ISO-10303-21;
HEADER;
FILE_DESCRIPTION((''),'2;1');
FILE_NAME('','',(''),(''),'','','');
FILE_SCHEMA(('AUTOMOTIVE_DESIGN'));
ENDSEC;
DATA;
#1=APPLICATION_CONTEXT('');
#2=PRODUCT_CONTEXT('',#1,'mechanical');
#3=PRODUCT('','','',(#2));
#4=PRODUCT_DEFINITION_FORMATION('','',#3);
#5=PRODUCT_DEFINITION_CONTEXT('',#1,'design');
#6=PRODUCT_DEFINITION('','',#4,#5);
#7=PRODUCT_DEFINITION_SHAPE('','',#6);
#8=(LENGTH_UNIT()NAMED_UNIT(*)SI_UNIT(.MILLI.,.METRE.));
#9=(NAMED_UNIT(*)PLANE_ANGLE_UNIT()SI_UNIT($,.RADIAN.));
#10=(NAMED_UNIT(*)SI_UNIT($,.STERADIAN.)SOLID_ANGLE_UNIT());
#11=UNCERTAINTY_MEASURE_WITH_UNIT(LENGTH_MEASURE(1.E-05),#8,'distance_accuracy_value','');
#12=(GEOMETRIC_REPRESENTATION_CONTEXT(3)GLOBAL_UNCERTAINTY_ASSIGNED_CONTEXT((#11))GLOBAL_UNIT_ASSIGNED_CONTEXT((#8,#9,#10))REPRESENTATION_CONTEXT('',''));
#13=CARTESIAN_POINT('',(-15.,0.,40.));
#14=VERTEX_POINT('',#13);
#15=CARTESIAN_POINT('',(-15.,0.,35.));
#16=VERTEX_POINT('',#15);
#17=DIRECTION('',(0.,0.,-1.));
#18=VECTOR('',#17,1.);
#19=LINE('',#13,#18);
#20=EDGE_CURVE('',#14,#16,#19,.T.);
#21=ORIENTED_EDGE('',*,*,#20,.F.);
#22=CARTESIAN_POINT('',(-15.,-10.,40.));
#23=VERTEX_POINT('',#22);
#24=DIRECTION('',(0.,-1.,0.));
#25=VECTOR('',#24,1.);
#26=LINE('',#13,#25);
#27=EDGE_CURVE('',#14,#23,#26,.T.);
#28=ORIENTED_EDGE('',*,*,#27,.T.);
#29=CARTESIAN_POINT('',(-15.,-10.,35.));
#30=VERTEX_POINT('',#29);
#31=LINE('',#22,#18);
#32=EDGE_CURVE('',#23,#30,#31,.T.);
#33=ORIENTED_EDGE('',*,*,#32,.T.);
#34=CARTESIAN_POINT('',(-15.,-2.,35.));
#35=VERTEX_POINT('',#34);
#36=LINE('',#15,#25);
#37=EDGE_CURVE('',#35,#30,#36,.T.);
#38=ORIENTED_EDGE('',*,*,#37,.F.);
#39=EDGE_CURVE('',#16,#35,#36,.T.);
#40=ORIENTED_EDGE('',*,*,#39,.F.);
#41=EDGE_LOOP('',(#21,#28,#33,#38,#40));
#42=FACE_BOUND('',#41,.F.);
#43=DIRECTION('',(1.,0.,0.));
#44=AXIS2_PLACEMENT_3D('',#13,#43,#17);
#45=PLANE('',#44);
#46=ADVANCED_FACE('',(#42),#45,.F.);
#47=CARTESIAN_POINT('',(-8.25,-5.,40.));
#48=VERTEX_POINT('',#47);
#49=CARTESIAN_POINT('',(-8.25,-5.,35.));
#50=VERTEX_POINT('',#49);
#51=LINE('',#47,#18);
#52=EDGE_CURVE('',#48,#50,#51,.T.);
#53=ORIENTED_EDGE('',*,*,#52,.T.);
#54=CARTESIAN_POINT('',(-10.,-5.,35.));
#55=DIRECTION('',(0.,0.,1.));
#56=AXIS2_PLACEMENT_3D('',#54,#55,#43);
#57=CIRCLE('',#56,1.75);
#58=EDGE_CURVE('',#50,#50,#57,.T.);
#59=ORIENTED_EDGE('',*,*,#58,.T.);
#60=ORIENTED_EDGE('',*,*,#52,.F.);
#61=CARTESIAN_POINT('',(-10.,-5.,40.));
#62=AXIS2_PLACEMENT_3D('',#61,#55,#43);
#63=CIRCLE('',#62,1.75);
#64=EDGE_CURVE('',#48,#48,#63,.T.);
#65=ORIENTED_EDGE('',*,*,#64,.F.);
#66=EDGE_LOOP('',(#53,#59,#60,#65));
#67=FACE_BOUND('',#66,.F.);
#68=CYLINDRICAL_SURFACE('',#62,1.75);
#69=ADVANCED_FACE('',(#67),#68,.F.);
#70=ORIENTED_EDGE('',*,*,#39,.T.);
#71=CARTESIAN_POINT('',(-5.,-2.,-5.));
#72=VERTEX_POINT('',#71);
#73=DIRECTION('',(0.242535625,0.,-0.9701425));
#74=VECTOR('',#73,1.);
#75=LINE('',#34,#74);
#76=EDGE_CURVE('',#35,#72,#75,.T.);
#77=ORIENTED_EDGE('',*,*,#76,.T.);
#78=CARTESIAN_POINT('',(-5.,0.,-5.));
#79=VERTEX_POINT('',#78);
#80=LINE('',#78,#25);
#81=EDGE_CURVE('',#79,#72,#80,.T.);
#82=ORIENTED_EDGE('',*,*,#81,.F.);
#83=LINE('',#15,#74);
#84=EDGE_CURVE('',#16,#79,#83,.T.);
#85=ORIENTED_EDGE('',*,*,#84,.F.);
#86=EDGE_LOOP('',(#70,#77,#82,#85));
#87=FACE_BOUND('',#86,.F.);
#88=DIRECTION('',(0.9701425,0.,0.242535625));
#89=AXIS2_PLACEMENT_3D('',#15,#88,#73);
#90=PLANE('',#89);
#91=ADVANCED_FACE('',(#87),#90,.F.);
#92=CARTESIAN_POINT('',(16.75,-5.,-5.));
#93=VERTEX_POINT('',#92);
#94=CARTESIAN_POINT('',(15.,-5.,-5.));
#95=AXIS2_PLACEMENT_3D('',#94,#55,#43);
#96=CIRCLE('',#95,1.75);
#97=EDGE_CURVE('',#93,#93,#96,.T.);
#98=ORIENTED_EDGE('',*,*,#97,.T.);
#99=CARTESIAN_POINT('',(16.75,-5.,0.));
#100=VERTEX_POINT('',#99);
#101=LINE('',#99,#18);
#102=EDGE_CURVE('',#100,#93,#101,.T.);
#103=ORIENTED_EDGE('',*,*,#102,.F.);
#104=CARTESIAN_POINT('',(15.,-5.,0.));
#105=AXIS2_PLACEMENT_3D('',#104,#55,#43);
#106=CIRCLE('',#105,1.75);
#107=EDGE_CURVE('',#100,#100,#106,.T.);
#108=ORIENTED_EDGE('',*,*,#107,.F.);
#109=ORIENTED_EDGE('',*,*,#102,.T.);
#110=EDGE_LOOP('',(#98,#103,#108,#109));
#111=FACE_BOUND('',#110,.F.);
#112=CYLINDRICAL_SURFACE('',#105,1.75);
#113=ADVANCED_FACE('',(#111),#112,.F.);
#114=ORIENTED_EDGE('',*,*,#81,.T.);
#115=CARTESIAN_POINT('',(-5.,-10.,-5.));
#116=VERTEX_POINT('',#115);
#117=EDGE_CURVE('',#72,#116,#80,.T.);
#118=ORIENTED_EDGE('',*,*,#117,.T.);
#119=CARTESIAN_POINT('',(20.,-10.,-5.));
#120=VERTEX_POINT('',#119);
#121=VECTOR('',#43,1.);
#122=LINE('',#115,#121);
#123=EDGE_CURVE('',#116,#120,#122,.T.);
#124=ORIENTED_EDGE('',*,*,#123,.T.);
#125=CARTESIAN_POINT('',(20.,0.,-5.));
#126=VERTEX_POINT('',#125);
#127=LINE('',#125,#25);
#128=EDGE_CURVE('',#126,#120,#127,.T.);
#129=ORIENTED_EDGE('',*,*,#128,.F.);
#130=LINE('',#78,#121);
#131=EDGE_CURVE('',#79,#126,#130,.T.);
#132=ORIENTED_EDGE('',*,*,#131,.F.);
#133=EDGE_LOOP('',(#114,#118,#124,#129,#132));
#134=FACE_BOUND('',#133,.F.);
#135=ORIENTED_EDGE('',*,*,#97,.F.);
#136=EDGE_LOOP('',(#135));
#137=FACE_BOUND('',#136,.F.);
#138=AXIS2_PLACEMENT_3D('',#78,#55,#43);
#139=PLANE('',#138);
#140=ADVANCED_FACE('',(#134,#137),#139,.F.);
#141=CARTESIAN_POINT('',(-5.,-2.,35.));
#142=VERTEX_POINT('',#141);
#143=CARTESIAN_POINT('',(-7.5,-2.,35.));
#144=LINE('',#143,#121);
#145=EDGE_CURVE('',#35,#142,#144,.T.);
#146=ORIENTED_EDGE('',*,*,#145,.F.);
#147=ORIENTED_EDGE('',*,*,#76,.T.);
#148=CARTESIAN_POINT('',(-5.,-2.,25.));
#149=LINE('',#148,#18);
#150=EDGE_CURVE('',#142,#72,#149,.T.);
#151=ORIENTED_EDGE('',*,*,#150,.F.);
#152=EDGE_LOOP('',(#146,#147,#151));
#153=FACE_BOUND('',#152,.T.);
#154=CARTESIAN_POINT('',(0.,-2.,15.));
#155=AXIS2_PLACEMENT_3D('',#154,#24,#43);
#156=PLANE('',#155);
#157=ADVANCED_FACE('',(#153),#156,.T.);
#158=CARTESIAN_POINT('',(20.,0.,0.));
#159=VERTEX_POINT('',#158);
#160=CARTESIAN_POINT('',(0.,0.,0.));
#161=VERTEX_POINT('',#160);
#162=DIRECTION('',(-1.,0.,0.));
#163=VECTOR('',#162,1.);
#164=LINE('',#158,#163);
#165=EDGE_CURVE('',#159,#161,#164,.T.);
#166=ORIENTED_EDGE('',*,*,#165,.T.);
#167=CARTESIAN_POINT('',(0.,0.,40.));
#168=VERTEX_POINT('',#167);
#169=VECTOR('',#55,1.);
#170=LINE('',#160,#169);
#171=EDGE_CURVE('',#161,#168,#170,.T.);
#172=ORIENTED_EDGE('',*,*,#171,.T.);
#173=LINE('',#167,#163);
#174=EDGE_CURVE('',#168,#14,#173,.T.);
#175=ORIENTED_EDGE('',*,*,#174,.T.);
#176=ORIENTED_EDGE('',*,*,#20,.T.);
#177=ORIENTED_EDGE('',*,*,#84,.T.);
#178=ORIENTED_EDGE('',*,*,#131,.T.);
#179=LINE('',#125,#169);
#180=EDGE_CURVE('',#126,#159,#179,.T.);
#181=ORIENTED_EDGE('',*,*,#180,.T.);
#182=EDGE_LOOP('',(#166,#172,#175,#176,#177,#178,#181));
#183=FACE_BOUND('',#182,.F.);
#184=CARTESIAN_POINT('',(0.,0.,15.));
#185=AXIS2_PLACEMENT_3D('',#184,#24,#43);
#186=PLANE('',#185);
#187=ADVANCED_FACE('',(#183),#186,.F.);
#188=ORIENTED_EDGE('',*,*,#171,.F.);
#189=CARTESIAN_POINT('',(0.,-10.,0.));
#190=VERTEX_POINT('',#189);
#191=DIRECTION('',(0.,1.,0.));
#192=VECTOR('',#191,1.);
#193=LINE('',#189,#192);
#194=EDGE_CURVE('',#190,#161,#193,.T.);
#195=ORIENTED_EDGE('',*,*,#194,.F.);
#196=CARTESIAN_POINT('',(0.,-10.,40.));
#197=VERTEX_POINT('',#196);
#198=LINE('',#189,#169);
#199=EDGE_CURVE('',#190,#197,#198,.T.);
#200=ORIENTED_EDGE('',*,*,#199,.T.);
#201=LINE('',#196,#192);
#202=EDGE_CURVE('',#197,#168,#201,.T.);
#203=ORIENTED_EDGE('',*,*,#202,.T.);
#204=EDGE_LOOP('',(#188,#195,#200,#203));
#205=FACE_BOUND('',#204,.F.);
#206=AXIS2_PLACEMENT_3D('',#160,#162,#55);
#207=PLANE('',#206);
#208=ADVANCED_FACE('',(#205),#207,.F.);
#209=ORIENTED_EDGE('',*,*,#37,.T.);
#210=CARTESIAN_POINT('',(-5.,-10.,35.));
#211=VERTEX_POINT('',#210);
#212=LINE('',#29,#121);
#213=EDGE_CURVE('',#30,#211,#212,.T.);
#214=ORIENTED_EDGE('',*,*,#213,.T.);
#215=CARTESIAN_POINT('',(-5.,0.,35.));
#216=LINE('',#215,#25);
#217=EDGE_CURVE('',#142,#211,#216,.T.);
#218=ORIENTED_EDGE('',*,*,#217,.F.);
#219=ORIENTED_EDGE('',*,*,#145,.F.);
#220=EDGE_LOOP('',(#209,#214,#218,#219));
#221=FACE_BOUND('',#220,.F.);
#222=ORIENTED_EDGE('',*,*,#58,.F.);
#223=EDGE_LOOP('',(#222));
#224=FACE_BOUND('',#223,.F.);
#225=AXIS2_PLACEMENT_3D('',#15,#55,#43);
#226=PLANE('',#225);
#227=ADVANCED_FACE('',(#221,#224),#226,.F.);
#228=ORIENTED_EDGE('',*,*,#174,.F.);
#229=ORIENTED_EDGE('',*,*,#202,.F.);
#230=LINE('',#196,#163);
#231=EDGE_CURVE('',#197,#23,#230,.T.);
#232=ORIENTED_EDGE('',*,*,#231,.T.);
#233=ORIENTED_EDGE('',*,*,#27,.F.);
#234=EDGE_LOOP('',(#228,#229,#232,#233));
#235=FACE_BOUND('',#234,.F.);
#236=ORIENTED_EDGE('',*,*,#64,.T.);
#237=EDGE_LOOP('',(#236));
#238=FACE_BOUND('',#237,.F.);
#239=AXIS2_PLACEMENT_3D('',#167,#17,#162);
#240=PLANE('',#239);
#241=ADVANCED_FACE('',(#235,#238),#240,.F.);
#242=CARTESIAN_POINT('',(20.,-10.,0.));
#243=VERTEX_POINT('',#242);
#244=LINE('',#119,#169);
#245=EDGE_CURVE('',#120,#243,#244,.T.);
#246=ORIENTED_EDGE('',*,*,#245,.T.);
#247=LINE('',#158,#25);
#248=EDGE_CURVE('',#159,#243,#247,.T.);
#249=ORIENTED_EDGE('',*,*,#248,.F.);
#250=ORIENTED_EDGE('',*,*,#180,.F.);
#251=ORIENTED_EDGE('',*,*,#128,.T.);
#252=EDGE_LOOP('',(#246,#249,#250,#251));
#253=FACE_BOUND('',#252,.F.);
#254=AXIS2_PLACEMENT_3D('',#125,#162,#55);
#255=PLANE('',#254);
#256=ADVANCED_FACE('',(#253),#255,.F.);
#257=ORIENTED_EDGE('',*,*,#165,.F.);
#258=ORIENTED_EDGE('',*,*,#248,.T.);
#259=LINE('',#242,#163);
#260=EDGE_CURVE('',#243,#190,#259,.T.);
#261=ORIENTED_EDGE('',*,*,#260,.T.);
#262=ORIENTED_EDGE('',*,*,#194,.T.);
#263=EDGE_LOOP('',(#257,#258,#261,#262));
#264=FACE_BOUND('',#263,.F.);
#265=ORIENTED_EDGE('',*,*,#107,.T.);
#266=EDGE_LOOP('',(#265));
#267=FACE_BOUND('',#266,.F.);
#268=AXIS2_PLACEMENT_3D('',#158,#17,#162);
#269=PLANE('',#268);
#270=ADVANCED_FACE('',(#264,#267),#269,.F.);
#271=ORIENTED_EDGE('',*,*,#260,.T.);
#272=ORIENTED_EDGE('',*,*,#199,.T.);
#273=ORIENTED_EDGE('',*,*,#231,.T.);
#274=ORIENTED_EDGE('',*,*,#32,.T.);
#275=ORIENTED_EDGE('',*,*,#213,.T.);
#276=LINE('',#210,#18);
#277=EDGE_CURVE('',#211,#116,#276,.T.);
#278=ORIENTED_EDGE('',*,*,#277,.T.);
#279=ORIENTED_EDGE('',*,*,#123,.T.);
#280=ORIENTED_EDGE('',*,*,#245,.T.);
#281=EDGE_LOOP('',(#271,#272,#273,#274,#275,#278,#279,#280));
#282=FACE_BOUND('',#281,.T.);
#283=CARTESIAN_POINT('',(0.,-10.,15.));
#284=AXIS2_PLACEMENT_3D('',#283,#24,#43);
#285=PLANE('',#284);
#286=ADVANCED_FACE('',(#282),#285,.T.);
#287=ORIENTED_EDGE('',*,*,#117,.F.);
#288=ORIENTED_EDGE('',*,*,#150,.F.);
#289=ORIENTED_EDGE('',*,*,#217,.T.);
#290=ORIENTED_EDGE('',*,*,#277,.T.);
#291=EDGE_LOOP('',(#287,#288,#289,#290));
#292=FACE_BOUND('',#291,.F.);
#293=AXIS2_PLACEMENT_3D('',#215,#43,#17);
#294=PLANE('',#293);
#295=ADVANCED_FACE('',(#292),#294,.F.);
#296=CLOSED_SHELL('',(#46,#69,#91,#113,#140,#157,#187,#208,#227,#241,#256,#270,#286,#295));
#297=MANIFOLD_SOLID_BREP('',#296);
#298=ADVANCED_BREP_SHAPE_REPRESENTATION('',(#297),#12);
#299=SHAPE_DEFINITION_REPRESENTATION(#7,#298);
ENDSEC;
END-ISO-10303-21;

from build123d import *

# Parameters (mm, degrees)
F1_DEPTH = 10
F2_DEPTH = 2
F3_R     = 1.75
F4_DEPTH = 5
F5_R     = 1.75
F6_DEPTH = 5


with BuildPart() as f1:
    # F0 (on Front) → F1 (new body)
    with BuildSketch(Plane.XZ):
        Polygon((0, 40), (-15, 40), (-15, 35), (-5, 35), (-5, -5), (20, -5), (20, 0), (0, 0), align=None)
    extrude(amount=F1_DEPTH)

    # F0 (on Front) → F2 (join)
    with BuildSketch(Plane.XZ):
        Polygon((0, 40), (-15, 40), (-15, 35), (-5, 35), (-5, -5), (20, -5), (20, 0), (0, 0), align=None)
        Polygon((-5, 35), (-15, 35), (-5, -5), align=None)
    extrude(amount=F2_DEPTH)

    # F3 (on face) → F4 (cut)
    with BuildSketch(Plane.XY.offset(40)):
        with Locations((-10, -5)):
            Circle(F3_R)
    extrude(amount=-F4_DEPTH, mode=Mode.SUBTRACT)

    # F5 (on face) → F6 (cut)
    with BuildSketch(Plane.XY):
        with Locations((15, -5)):
            Circle(F5_R)
    extrude(amount=-F6_DEPTH, mode=Mode.SUBTRACT)


solid = f1.part
